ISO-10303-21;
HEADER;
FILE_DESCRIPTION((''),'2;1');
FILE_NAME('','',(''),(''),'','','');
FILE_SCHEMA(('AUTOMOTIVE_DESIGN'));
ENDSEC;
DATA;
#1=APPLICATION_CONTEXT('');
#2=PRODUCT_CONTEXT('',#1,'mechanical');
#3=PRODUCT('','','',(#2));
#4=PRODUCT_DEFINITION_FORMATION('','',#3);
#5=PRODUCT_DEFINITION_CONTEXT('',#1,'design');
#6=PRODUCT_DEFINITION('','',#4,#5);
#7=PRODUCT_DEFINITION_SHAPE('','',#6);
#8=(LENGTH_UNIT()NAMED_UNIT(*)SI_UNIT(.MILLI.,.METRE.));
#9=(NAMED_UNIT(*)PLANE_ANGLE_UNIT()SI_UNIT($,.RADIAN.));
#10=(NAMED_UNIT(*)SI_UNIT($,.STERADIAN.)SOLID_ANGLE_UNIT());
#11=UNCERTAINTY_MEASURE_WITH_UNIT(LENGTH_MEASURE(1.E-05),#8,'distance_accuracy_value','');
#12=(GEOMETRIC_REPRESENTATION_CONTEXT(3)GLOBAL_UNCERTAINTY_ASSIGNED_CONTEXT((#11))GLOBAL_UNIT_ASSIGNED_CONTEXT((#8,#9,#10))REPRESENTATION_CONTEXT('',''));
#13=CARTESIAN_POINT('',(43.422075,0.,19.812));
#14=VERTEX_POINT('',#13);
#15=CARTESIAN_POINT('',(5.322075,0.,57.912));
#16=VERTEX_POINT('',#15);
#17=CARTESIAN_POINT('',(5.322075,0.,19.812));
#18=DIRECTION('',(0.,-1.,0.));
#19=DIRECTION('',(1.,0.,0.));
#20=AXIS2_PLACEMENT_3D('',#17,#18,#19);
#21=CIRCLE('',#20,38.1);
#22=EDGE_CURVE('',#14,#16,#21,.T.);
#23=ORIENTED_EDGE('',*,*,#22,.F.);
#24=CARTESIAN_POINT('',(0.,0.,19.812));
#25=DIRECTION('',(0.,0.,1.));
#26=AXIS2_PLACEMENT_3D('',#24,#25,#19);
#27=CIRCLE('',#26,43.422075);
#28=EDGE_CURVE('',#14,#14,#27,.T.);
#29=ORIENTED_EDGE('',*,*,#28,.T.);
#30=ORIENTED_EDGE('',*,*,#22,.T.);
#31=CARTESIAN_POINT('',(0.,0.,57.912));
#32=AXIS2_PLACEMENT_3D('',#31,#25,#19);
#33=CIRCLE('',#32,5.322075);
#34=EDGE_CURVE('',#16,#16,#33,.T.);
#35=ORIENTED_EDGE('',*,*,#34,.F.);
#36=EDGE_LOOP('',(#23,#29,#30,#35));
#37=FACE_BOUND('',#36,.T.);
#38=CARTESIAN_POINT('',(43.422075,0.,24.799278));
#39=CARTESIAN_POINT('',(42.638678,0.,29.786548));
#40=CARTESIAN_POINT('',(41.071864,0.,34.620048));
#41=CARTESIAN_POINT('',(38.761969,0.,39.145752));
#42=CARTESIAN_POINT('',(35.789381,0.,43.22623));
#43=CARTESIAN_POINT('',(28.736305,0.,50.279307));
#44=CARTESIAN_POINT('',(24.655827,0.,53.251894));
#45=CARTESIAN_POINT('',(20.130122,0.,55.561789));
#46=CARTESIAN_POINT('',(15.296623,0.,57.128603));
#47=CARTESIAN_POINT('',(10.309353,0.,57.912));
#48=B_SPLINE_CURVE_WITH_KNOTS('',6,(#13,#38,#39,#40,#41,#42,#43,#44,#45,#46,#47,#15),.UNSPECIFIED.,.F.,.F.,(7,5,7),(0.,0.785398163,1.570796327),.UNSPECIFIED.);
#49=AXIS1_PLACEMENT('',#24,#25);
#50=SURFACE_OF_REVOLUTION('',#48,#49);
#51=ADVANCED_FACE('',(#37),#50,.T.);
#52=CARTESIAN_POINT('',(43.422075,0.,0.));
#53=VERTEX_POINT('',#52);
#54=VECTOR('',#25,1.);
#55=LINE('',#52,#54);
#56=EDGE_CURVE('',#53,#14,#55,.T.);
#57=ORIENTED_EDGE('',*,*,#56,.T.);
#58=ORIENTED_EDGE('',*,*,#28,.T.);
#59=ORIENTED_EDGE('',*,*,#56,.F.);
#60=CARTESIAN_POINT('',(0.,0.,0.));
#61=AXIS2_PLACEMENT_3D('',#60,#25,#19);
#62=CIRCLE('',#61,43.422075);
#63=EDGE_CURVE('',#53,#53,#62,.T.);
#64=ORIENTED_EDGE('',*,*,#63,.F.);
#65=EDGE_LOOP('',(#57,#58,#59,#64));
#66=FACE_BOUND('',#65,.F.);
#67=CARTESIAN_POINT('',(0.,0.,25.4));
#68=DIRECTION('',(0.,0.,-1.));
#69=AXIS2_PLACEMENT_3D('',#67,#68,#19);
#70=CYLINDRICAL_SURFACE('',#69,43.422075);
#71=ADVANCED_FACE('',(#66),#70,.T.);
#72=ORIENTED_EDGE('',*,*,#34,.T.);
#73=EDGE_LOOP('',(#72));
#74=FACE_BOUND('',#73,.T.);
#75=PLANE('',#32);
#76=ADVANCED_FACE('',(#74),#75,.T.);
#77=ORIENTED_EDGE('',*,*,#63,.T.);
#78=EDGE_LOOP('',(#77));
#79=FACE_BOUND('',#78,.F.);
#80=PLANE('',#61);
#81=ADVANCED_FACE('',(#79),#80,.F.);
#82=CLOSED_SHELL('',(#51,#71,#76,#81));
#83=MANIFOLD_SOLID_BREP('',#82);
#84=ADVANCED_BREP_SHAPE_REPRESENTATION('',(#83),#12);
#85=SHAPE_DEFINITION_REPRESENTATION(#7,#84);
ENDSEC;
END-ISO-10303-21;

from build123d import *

# Parameters (mm, degrees)
F0_R     = 43.4220747745
F1_DEPTH = 25.4
F2_DEPTH = 32.512
F3_R     = 38.1


with BuildPart() as f1:
    # F0 (on Top) → F1 (new body)
    with BuildSketch(Plane.XY):
        Circle(F0_R)
    extrude(amount=F1_DEPTH)

    # F2 (add): a face of the model
    f2_faces = [f1.faces().sort_by_distance(p)[0] for p in [
        (0, 0, 25.4),
    ]]
    extrude(f2_faces, amount=F2_DEPTH)

    # F3
    f3_edges = [f1.edges().sort_by_distance(p)[0] for p in [
        (-43.422075, 0, 57.912),
    ]]
    fillet(f3_edges, radius=F3_R)


solid = f1.part
